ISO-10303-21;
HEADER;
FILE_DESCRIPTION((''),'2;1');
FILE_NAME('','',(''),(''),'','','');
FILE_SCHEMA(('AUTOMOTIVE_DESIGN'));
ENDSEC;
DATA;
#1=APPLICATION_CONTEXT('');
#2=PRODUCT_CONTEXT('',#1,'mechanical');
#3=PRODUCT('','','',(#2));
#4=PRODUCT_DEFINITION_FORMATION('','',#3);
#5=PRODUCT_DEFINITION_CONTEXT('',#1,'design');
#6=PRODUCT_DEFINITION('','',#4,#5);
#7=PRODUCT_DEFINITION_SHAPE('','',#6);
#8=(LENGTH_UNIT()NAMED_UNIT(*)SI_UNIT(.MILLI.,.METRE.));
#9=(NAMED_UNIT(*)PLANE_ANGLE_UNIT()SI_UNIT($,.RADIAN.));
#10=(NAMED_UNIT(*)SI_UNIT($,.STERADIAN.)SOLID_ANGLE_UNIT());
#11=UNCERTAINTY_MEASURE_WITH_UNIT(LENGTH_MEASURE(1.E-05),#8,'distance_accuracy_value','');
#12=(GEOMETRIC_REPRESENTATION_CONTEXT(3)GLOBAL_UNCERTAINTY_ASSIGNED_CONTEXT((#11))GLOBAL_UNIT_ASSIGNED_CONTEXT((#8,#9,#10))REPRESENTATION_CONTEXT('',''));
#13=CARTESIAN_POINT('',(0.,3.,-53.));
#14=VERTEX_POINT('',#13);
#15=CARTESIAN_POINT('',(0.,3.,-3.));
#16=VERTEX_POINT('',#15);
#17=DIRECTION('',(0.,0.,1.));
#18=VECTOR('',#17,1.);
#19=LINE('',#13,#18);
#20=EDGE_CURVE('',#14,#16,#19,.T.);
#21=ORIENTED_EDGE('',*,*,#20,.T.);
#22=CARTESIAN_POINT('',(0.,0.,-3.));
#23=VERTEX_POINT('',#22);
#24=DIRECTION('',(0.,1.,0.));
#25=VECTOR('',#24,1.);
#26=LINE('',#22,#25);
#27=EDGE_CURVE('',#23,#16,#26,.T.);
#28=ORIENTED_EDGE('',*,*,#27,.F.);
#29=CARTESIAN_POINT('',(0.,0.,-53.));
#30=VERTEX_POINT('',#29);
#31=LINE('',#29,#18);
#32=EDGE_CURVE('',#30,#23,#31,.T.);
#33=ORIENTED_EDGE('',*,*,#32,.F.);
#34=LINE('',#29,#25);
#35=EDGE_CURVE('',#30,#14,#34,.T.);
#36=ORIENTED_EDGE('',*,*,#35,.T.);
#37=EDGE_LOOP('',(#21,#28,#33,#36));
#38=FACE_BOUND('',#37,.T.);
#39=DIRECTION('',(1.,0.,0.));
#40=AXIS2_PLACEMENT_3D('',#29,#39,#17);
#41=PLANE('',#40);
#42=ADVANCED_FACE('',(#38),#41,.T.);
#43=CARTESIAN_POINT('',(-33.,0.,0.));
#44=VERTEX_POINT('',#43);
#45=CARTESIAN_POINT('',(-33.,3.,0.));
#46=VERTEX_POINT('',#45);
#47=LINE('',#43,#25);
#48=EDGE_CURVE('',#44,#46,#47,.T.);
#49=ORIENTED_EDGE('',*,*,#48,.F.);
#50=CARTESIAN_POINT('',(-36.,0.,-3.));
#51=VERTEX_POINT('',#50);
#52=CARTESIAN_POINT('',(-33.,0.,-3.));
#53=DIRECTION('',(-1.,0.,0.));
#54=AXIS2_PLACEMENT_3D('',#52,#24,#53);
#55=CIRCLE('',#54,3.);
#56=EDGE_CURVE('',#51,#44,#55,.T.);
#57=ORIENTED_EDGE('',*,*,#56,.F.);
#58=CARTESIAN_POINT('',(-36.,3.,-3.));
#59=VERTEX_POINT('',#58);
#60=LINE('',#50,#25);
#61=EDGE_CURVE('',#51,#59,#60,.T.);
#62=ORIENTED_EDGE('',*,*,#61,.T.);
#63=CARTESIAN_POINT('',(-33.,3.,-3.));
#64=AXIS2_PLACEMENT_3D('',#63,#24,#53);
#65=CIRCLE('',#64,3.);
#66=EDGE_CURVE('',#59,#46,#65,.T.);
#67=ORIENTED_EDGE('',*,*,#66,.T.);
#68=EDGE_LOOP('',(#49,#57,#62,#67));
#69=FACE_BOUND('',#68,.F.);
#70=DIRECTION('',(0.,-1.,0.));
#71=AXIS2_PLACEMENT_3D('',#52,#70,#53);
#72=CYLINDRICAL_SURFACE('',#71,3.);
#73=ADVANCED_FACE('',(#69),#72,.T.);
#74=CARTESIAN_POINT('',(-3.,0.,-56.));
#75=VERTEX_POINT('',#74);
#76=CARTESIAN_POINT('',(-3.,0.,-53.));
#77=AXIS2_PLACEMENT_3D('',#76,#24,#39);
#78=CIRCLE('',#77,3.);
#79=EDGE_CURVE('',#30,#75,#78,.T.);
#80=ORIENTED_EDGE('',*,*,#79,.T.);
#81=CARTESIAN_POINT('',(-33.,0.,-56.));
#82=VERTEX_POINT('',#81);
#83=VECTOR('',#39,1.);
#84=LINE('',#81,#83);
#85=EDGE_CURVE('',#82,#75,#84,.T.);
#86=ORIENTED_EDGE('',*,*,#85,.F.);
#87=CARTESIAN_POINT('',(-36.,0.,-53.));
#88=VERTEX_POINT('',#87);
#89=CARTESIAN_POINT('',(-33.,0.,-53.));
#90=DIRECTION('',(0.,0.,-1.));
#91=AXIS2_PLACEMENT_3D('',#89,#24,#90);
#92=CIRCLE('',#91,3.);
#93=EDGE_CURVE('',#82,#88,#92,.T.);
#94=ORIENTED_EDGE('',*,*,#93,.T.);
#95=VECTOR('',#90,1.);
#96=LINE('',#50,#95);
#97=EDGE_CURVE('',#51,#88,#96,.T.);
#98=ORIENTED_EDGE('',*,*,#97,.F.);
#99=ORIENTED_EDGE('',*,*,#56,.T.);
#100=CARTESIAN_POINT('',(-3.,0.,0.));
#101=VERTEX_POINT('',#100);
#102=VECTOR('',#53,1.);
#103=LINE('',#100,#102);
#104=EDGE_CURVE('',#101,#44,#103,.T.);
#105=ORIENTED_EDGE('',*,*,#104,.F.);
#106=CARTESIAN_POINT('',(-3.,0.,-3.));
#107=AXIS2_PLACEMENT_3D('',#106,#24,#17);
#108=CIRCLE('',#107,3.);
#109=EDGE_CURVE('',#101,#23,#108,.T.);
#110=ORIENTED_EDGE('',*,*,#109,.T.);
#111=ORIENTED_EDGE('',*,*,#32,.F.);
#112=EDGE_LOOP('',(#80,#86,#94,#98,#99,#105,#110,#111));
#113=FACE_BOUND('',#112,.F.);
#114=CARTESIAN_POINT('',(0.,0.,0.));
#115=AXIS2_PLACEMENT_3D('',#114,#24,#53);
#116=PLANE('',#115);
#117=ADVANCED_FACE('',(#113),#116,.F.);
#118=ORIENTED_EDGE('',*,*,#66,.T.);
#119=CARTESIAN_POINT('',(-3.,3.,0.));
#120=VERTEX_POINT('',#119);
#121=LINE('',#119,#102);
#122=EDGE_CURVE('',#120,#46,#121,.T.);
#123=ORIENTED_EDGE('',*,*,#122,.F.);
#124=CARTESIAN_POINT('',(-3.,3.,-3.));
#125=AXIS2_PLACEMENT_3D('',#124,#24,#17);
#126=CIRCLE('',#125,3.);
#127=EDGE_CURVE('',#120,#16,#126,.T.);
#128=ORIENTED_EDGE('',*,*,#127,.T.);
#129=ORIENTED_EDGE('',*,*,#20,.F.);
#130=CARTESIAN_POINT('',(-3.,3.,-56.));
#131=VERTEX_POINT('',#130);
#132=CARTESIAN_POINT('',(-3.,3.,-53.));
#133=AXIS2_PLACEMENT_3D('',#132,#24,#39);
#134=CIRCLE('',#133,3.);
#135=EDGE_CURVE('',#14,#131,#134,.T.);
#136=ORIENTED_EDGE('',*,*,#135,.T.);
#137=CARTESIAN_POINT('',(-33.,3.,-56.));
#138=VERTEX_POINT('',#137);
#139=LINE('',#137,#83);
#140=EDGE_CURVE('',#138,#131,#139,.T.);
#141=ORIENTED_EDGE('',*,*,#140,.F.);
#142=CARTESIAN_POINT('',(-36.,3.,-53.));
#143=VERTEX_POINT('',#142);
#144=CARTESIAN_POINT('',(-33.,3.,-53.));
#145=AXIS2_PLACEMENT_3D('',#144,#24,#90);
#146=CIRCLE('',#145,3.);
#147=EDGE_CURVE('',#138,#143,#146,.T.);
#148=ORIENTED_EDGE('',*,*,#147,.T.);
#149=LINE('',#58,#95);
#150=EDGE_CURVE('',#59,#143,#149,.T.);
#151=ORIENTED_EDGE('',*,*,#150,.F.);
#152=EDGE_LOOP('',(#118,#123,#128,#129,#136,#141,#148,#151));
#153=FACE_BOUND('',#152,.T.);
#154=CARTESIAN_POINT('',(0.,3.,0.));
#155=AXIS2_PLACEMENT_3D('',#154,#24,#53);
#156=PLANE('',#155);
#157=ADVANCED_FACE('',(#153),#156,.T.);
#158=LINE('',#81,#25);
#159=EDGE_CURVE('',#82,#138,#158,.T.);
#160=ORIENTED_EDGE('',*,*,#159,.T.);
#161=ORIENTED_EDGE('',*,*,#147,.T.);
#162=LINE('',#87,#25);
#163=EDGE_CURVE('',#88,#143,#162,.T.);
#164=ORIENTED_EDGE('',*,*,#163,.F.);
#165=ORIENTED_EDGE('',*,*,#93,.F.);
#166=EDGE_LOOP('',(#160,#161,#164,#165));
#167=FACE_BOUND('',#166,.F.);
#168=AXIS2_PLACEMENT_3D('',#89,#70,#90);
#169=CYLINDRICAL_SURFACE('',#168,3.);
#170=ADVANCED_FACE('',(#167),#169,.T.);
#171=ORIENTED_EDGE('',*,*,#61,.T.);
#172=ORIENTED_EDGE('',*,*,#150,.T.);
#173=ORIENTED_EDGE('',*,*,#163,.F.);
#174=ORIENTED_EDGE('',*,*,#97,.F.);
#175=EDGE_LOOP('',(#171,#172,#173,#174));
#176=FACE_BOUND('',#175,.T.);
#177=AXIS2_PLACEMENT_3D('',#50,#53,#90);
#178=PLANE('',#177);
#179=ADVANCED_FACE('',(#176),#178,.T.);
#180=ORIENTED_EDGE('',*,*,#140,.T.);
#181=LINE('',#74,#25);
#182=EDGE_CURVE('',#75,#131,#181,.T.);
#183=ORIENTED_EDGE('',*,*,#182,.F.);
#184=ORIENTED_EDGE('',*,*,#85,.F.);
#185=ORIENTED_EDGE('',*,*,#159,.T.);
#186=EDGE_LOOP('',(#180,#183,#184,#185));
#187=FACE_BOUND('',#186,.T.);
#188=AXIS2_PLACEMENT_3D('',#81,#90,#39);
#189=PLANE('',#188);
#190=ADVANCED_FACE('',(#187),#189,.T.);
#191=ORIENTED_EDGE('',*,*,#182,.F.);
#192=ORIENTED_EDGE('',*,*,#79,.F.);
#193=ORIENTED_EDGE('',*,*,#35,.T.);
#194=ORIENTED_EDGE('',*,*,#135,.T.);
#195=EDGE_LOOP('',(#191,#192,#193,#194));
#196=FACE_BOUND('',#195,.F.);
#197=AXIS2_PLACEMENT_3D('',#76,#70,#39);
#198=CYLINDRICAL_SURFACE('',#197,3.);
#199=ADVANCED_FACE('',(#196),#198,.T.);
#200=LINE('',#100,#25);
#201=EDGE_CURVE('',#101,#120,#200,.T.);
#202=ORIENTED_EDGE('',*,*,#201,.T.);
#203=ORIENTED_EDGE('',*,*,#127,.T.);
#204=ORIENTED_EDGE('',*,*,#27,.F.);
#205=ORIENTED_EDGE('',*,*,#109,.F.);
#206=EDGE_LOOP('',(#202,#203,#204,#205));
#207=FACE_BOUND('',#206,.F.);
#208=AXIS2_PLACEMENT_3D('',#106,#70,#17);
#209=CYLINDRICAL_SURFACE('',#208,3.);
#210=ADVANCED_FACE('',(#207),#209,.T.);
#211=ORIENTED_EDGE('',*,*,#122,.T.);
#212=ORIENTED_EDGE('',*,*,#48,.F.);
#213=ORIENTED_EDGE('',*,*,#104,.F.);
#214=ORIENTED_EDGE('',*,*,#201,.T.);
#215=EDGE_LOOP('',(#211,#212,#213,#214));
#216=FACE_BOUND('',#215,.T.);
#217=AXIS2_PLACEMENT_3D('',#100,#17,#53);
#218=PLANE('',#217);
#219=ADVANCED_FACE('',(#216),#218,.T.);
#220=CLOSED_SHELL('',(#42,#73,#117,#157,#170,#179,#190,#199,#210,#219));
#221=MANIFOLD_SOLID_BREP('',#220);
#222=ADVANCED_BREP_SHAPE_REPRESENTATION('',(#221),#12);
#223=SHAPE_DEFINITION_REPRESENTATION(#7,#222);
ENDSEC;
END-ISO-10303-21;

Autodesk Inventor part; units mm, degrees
ref_plane "YZ Plane" through (0, 0, 0) normal (1, 0, 0) x (0, 1, 0)
ref_plane "XZ Plane" through (0, 0, 0) normal (0, 1, 0) x (-1, 0, 0)
ref_plane "XY Plane" through (0, 0, 0) normal (0, 0, 1) x (1, 0, 0)
sketch "Sketch1" plane through (0, 0, 0) normal (0, 1, 0) x (-1, 0, 0)
  line L0 (3, 0) -> (33, 0)
  line L1 (36, -3) -> (36, -53)
  line L2 (33, -56) -> (3, -56)
  line L3 (0, -53) -> (0, -3)
  arc A0 (33, -56) -> (36, -53) centre (33, -53) ccw
  arc A1 (0, -53) -> (3, -56) centre (3, -53) ccw
  arc A2 (3, 0) -> (0, -3) centre (3, -3) ccw
  arc A3 (36, -3) -> (33, 0) centre (33, -3) ccw
  point P0 (0, 0)
  point P1 (36, -56)
  point P2 (36, 0)
  point P3 (0, -56)
  dimension "d0" = 36
  dimension "d1" = 56
  dimension "d2" = 3
extrude "Extrusion1" add sketch "Sketch1" along normal blind 3
properties part number "tapa caja servos"
